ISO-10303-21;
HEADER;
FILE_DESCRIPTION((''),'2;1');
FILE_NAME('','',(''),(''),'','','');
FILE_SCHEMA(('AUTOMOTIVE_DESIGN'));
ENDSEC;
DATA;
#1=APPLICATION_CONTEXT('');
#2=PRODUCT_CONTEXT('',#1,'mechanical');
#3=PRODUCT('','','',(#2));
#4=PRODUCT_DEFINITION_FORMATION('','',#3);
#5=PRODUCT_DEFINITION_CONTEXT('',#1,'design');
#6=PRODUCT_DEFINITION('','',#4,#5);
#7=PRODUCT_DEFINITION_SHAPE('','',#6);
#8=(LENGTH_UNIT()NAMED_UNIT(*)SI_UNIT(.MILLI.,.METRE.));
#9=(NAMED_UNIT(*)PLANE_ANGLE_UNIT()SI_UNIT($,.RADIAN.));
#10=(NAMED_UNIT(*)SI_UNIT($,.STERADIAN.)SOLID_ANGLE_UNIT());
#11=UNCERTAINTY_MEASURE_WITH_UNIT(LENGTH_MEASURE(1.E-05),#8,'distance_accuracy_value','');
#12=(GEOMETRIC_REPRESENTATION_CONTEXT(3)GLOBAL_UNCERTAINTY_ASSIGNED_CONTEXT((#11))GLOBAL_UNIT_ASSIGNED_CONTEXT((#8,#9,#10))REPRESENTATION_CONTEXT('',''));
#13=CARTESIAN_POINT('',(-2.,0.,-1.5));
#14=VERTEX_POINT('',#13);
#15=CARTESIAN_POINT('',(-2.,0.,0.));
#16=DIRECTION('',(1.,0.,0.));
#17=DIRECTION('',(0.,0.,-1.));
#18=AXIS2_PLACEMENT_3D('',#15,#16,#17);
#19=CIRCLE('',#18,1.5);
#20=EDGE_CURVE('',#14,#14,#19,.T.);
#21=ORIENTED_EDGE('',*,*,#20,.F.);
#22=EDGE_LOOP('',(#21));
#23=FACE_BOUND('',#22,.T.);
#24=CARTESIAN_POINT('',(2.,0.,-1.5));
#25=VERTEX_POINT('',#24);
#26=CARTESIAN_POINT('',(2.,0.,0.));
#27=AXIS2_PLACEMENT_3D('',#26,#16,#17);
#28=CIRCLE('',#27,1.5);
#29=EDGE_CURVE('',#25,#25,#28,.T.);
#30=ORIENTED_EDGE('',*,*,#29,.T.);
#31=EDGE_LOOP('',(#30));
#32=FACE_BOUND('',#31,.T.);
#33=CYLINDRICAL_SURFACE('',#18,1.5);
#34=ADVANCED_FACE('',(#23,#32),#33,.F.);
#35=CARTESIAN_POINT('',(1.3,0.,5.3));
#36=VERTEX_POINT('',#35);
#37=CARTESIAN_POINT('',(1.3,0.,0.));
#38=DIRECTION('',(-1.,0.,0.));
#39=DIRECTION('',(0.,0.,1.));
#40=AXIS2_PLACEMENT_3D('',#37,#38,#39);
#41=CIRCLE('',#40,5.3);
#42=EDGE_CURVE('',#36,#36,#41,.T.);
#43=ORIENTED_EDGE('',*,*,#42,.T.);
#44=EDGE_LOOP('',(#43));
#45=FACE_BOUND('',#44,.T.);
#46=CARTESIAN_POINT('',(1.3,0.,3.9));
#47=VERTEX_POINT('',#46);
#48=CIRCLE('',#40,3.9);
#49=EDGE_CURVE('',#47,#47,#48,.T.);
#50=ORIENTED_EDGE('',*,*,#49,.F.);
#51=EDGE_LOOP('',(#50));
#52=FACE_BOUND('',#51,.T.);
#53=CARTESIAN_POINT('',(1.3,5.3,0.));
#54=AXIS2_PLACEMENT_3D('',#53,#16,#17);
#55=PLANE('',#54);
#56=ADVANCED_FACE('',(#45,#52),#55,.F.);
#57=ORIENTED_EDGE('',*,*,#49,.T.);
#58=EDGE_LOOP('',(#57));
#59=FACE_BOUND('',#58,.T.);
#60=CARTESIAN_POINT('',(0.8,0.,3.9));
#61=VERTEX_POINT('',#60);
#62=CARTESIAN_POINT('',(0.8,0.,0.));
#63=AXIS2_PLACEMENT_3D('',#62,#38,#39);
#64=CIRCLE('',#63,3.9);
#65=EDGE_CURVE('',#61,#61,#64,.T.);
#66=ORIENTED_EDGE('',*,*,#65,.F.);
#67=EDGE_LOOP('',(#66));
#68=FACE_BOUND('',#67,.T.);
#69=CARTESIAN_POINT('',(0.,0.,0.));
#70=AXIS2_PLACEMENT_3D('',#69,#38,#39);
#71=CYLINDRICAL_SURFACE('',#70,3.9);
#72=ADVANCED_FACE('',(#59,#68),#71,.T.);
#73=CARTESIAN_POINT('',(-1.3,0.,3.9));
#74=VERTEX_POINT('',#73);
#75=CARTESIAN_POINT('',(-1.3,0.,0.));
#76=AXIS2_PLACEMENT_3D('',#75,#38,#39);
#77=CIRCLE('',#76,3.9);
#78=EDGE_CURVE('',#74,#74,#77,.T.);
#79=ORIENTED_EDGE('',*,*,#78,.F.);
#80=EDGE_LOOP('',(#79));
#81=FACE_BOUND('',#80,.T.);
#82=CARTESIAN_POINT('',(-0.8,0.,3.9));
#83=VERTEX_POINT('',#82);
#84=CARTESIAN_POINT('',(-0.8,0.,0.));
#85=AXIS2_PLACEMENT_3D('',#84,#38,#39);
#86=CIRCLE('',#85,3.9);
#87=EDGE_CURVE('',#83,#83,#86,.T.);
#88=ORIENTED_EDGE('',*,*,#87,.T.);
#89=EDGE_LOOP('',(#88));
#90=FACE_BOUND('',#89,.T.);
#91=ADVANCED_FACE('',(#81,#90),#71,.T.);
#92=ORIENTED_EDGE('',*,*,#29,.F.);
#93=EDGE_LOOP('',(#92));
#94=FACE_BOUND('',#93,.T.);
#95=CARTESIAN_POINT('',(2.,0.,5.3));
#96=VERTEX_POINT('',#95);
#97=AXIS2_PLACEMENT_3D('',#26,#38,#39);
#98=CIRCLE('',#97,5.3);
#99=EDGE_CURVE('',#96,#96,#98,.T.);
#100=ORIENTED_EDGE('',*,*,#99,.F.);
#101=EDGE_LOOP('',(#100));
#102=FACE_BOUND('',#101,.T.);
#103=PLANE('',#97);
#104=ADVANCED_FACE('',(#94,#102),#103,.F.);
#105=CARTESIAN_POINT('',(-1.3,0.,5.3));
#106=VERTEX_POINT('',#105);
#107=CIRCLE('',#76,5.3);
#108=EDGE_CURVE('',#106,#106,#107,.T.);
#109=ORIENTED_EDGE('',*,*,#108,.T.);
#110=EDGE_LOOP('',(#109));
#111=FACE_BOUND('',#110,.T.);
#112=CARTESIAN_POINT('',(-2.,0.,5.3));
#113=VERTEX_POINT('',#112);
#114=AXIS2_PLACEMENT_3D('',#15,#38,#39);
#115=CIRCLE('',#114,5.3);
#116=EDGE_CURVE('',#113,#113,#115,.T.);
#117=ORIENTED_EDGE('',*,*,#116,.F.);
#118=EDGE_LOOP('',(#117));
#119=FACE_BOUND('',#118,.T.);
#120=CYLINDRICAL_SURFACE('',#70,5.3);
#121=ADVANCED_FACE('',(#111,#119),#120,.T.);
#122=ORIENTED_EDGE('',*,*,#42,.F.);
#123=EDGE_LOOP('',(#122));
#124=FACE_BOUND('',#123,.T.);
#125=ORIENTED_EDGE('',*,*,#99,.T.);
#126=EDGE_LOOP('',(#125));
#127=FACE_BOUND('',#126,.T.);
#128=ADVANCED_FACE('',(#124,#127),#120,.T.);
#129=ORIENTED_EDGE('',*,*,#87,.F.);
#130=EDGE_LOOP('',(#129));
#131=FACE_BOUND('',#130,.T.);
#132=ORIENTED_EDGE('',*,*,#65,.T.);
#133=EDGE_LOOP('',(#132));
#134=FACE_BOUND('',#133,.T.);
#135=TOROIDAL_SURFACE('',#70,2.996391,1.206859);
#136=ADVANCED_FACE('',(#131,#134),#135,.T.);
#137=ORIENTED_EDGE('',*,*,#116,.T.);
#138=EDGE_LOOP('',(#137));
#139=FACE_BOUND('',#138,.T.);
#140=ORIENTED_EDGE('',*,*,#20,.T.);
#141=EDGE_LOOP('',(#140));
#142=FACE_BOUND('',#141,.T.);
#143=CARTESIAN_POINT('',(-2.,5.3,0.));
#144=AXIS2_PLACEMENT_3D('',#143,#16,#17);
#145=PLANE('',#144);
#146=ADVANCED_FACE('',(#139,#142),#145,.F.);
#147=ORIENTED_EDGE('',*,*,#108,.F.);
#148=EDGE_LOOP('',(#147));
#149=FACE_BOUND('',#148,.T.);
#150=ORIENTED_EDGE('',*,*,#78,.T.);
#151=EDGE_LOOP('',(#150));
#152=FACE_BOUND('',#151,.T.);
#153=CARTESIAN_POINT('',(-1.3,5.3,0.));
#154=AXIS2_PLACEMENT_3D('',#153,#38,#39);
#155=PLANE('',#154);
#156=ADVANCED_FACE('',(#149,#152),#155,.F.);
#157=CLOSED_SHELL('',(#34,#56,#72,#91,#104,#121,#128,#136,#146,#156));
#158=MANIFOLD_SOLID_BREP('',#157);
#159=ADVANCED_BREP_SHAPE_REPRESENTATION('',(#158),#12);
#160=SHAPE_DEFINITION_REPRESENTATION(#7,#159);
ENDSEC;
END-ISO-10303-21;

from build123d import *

# Parameters (mm, degrees)
SKETCH2_R          = 1.5
CUT_EXTRUDE1_DEPTH = 9.495881355


with BuildPart() as part:
    # Sketch1 → Revolve1 (revolve)
    with BuildSketch(Plane.XY, mode=Mode.PRIVATE) as revolve1_sk:
        with BuildLine():
            Line((0, 0), (2, 0))
            Line((2, 0), (2, 5.3))
            Line((2, 5.3), (1.3, 5.3))
            Line((1.3, 5.3), (1.3, 3.9))
            Line((1.3, 3.9), (0.8, 3.9))
            ThreePointArc((0.8, 3.9), (0, 4.203250351), (-0.8, 3.9))
            Line((-0.8, 3.9), (-1.3, 3.9))
            Line((-1.3, 3.9), (-1.3, 5.3))
            Line((-1.3, 5.3), (-2, 5.3))
            Line((-2, 5.3), (-2, 0))
            Line((-2, 0), (0, 0))
        make_face()
    revolve(revolve1_sk.sketch.rotate(Axis((0, 0, 0), (1, 0, 0)), 90), axis=Axis((0, 0, 0), (1, 0, 0)))

    # Sketch2 → Cut-Extrude1 (cut, through all)
    with BuildSketch(Plane(origin=(2, 0, 0), x_dir=(0, 0, -1), z_dir=(1, 0, 0))):
        Circle(SKETCH2_R)
    extrude(amount=-CUT_EXTRUDE1_DEPTH, mode=Mode.SUBTRACT)


solid = part.part
